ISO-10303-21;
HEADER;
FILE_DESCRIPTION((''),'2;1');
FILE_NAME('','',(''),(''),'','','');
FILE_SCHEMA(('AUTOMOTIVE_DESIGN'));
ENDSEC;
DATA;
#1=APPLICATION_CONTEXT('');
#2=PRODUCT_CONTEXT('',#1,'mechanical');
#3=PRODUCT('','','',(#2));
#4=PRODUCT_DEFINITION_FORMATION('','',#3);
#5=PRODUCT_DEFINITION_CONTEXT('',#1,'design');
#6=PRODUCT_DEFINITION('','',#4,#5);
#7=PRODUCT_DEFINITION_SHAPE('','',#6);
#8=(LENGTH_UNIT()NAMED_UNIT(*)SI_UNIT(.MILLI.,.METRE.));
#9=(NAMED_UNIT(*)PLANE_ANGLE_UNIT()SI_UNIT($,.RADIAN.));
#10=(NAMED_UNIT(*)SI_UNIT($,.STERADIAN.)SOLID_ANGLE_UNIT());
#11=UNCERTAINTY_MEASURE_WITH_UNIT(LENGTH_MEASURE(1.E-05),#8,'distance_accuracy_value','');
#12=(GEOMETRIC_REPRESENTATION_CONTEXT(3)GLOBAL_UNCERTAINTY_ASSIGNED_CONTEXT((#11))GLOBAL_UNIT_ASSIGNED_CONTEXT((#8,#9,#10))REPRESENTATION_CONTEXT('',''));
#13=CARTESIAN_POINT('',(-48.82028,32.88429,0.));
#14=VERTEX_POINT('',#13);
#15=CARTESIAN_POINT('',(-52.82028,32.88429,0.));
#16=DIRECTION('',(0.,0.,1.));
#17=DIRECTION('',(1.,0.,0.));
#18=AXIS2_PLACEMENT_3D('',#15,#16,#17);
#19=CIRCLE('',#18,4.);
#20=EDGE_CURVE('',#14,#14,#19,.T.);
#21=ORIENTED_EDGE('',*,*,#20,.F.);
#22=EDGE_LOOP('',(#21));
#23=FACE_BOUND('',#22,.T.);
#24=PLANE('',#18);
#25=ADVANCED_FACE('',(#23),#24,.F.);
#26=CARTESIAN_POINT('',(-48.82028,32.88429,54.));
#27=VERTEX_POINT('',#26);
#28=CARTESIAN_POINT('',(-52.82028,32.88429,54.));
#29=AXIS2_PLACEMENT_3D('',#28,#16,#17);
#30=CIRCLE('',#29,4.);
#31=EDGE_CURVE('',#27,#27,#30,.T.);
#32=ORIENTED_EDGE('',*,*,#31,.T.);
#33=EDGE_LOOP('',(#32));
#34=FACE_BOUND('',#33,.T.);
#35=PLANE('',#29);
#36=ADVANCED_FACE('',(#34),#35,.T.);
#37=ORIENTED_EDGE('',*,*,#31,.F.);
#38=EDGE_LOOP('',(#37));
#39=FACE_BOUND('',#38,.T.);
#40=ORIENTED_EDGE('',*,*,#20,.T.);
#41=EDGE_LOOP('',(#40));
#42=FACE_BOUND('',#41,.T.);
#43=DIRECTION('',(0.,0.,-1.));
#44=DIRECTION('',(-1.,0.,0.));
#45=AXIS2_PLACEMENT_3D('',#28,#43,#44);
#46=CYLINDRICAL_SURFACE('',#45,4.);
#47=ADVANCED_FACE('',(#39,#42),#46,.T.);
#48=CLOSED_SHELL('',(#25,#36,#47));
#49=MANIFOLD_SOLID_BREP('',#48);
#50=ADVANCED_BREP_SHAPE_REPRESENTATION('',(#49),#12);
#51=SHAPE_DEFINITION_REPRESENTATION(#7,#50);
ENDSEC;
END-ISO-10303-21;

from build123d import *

# Parameters (mm, degrees)
SKETCH1_R           = 4
BOSS_EXTRUDE1_DEPTH = 54


with BuildPart() as part:
    # Sketch1 → Boss-Extrude1 (new body)
    with BuildSketch(Plane.XY):
        with Locations((-52.820279932, 32.884290271)):
            Circle(SKETCH1_R)
    extrude(amount=BOSS_EXTRUDE1_DEPTH)


solid = part.part
